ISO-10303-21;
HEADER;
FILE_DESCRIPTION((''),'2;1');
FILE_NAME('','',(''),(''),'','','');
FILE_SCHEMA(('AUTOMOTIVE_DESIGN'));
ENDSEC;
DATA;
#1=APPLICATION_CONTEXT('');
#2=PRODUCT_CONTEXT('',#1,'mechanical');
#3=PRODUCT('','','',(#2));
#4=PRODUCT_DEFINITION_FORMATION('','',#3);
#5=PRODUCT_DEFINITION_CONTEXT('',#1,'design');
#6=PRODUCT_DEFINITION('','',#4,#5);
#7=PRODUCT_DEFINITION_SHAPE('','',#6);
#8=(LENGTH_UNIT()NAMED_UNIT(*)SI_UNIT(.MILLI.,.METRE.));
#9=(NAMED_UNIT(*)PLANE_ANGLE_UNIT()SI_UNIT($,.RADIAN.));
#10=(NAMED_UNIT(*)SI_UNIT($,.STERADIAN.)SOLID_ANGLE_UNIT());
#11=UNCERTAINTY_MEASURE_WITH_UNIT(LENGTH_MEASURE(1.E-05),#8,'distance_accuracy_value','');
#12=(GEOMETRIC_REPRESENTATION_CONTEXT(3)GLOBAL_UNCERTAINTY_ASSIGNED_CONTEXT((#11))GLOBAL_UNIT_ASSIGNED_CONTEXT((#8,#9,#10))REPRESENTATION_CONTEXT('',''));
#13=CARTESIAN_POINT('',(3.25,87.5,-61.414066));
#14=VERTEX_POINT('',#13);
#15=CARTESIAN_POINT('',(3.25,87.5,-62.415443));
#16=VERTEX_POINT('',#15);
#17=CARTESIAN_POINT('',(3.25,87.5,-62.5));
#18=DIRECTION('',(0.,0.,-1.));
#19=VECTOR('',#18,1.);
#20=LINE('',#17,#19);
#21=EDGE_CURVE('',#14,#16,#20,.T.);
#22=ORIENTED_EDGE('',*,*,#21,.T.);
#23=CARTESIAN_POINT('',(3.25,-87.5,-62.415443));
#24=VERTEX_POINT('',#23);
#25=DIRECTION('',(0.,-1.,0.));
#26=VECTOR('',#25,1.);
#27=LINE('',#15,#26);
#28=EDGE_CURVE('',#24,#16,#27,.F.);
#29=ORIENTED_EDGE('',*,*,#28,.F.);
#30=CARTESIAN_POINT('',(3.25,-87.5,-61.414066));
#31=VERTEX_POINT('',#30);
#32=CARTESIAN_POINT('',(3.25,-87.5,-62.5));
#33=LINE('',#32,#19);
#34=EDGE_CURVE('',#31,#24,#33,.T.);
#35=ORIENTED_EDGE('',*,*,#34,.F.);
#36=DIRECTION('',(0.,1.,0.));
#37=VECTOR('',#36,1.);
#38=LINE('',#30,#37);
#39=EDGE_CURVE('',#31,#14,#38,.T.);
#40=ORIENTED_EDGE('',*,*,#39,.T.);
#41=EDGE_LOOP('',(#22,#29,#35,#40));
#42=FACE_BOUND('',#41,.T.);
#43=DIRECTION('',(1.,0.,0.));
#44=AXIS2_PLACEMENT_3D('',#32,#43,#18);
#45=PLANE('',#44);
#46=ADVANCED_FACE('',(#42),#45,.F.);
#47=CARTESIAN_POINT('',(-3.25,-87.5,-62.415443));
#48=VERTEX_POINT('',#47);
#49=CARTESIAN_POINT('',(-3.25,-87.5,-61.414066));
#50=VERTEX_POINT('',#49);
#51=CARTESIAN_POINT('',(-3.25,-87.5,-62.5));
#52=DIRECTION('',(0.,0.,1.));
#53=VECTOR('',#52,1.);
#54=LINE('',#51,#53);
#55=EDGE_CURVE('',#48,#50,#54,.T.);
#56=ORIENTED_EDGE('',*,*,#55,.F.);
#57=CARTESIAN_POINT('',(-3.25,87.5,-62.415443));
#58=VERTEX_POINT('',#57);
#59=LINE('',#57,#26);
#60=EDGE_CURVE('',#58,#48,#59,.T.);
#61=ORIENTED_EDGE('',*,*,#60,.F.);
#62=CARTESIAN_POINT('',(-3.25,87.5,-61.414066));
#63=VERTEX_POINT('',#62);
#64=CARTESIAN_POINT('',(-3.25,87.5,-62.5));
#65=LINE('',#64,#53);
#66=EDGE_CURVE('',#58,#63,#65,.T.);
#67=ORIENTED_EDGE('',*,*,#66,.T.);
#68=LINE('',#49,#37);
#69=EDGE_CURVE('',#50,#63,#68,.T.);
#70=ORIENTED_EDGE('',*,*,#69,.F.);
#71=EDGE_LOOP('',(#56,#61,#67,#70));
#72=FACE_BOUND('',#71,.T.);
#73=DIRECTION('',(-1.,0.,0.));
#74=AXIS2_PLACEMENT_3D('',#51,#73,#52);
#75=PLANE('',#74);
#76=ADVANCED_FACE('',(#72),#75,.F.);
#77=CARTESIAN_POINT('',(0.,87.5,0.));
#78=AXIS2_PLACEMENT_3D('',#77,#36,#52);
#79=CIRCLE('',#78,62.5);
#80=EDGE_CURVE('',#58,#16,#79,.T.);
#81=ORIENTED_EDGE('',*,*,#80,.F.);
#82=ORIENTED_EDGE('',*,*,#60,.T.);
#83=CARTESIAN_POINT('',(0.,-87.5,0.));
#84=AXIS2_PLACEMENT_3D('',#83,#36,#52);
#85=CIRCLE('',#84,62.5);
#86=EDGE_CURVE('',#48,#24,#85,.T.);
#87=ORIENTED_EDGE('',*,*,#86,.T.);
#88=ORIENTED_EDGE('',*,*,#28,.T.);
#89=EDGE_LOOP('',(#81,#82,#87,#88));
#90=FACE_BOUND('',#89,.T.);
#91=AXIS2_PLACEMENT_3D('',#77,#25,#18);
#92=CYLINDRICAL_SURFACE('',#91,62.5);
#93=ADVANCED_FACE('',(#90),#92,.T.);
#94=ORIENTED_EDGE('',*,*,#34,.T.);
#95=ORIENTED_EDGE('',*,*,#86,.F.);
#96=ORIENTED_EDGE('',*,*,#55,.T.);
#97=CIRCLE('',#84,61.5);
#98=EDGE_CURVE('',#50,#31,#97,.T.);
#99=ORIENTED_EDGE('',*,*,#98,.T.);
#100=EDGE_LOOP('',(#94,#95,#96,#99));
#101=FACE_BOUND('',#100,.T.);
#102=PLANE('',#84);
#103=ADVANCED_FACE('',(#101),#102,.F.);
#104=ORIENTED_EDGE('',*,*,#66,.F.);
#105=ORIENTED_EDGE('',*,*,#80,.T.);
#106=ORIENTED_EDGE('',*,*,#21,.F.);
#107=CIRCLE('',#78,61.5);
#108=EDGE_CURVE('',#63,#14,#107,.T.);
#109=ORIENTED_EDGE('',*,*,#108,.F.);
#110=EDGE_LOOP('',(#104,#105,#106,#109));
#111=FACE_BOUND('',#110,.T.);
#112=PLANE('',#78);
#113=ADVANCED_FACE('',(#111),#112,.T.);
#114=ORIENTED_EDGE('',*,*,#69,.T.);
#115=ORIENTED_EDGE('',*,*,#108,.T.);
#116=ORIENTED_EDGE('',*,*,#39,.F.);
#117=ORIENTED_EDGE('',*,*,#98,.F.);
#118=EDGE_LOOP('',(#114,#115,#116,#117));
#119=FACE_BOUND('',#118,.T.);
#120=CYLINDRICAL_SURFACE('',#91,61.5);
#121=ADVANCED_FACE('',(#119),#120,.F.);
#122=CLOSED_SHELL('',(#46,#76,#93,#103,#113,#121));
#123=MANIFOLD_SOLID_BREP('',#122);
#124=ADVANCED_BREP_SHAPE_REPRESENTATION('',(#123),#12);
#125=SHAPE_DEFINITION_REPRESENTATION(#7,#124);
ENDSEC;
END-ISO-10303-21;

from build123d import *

# Parameters (mm, degrees)
SKETCH1_R           = 62.5
SKETCH1_R_2         = 61.5
BOSS_EXTRUDE1_DEPTH = 87.5
SKETCH2_W           = 6.5
SKETCH2_H           = 1.085934022
CUT_EXTRUDE1_DEPTH  = 197.054839267


with BuildPart() as part:
    # Sketch1 → Boss-Extrude1 (new, symmetric)
    with BuildSketch(Plane(origin=(0, 0, 0), x_dir=(1, 0, 0), z_dir=(0, 1, 0))):
        with Locations(Location((0, 0, 0), (0, 0, 270))):
            Circle(SKETCH1_R)
        with Locations(Location((0, 0, 0), (0, 0, 270))):
            Circle(SKETCH1_R_2, mode=Mode.SUBTRACT)
    extrude(amount=BOSS_EXTRUDE1_DEPTH, both=True)

    # Sketch2 → Cut-Extrude1 (cut, through all)
    with BuildSketch(Plane(origin=(0, 87.5, 0), x_dir=(1, 0, 0), z_dir=(0, 1, 0))):
        with Locations((0, 61.957032989)):
            Rectangle(SKETCH2_W, SKETCH2_H)
    extrude(amount=-CUT_EXTRUDE1_DEPTH, mode=Mode.SUBTRACT)


solid = part.part
